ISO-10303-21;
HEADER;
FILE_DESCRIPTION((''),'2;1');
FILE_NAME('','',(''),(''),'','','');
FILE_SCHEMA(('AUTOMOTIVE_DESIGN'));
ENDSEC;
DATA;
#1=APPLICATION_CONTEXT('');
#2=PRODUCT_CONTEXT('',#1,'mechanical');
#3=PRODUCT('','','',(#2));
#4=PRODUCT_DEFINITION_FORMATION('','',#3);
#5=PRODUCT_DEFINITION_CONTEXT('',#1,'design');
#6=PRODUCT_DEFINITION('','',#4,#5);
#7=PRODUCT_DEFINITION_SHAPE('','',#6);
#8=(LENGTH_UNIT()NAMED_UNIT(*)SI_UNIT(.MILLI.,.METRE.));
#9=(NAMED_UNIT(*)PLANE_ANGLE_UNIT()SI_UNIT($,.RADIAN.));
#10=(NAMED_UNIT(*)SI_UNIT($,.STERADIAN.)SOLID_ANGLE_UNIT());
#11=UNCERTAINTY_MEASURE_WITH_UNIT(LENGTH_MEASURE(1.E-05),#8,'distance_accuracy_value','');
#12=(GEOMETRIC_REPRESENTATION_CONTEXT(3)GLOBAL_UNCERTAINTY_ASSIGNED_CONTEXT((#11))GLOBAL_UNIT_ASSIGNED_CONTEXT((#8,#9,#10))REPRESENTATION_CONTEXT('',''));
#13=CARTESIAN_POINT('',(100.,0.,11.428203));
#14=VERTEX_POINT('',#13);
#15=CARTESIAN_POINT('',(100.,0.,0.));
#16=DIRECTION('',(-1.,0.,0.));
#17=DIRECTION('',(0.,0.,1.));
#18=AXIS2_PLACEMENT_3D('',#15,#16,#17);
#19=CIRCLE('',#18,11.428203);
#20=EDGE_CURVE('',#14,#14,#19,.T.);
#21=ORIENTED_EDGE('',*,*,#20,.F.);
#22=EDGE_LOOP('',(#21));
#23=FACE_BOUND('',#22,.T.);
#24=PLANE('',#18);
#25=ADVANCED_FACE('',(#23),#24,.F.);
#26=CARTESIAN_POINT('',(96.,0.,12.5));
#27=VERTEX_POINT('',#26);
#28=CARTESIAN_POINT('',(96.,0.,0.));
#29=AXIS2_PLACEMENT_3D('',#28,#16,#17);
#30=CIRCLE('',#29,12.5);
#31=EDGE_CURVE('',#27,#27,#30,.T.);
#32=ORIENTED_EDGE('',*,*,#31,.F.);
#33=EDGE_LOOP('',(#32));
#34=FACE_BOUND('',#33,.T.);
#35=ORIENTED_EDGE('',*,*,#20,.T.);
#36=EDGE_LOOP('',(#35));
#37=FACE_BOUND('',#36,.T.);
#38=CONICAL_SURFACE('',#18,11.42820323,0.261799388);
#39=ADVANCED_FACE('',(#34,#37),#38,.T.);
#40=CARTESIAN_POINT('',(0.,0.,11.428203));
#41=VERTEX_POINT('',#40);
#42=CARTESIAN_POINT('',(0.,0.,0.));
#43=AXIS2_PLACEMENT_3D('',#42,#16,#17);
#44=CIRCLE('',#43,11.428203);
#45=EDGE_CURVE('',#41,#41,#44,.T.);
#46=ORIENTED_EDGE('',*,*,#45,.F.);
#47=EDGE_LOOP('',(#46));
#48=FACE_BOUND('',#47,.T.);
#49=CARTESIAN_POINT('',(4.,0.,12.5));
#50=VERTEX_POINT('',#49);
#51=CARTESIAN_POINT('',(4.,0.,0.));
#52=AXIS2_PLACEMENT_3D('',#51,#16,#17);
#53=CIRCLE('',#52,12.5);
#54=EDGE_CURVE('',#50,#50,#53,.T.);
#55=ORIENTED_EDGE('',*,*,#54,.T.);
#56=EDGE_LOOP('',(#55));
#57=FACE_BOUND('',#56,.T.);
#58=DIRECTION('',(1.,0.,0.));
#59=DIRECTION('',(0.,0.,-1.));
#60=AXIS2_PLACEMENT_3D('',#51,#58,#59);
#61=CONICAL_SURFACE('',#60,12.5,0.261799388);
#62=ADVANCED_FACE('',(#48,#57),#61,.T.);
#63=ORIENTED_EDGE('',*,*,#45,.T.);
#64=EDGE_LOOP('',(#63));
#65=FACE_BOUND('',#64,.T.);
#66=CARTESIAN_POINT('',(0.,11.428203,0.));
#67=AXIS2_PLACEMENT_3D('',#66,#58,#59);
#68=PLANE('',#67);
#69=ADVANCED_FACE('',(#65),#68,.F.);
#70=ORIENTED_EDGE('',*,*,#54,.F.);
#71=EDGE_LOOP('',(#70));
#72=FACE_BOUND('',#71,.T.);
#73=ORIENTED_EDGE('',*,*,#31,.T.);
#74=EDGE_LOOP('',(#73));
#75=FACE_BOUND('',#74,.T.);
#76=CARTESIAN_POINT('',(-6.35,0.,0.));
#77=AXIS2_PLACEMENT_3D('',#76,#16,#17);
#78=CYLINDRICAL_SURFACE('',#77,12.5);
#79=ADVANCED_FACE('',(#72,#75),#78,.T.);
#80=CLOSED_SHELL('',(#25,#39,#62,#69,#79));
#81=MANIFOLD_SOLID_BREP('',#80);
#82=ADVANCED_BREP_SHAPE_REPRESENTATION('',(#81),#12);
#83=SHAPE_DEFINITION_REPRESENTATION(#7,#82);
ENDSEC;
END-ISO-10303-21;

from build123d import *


with BuildPart() as part:
    # Sketch1 → Base-Revolve (revolve)
    with BuildSketch(Plane.XY, mode=Mode.PRIVATE) as base_revolve_sk:
        Polygon((0, 0), (100, 0), (100, 11.42820323), (96, 12.5), (4, 12.5), (0, 11.42820323), align=None)
    revolve(base_revolve_sk.sketch.rotate(Axis((-6.35, 0, 0), (1, 0, 0)), 90), axis=Axis((-6.35, 0, 0), (1, 0, 0)))


solid = part.part
